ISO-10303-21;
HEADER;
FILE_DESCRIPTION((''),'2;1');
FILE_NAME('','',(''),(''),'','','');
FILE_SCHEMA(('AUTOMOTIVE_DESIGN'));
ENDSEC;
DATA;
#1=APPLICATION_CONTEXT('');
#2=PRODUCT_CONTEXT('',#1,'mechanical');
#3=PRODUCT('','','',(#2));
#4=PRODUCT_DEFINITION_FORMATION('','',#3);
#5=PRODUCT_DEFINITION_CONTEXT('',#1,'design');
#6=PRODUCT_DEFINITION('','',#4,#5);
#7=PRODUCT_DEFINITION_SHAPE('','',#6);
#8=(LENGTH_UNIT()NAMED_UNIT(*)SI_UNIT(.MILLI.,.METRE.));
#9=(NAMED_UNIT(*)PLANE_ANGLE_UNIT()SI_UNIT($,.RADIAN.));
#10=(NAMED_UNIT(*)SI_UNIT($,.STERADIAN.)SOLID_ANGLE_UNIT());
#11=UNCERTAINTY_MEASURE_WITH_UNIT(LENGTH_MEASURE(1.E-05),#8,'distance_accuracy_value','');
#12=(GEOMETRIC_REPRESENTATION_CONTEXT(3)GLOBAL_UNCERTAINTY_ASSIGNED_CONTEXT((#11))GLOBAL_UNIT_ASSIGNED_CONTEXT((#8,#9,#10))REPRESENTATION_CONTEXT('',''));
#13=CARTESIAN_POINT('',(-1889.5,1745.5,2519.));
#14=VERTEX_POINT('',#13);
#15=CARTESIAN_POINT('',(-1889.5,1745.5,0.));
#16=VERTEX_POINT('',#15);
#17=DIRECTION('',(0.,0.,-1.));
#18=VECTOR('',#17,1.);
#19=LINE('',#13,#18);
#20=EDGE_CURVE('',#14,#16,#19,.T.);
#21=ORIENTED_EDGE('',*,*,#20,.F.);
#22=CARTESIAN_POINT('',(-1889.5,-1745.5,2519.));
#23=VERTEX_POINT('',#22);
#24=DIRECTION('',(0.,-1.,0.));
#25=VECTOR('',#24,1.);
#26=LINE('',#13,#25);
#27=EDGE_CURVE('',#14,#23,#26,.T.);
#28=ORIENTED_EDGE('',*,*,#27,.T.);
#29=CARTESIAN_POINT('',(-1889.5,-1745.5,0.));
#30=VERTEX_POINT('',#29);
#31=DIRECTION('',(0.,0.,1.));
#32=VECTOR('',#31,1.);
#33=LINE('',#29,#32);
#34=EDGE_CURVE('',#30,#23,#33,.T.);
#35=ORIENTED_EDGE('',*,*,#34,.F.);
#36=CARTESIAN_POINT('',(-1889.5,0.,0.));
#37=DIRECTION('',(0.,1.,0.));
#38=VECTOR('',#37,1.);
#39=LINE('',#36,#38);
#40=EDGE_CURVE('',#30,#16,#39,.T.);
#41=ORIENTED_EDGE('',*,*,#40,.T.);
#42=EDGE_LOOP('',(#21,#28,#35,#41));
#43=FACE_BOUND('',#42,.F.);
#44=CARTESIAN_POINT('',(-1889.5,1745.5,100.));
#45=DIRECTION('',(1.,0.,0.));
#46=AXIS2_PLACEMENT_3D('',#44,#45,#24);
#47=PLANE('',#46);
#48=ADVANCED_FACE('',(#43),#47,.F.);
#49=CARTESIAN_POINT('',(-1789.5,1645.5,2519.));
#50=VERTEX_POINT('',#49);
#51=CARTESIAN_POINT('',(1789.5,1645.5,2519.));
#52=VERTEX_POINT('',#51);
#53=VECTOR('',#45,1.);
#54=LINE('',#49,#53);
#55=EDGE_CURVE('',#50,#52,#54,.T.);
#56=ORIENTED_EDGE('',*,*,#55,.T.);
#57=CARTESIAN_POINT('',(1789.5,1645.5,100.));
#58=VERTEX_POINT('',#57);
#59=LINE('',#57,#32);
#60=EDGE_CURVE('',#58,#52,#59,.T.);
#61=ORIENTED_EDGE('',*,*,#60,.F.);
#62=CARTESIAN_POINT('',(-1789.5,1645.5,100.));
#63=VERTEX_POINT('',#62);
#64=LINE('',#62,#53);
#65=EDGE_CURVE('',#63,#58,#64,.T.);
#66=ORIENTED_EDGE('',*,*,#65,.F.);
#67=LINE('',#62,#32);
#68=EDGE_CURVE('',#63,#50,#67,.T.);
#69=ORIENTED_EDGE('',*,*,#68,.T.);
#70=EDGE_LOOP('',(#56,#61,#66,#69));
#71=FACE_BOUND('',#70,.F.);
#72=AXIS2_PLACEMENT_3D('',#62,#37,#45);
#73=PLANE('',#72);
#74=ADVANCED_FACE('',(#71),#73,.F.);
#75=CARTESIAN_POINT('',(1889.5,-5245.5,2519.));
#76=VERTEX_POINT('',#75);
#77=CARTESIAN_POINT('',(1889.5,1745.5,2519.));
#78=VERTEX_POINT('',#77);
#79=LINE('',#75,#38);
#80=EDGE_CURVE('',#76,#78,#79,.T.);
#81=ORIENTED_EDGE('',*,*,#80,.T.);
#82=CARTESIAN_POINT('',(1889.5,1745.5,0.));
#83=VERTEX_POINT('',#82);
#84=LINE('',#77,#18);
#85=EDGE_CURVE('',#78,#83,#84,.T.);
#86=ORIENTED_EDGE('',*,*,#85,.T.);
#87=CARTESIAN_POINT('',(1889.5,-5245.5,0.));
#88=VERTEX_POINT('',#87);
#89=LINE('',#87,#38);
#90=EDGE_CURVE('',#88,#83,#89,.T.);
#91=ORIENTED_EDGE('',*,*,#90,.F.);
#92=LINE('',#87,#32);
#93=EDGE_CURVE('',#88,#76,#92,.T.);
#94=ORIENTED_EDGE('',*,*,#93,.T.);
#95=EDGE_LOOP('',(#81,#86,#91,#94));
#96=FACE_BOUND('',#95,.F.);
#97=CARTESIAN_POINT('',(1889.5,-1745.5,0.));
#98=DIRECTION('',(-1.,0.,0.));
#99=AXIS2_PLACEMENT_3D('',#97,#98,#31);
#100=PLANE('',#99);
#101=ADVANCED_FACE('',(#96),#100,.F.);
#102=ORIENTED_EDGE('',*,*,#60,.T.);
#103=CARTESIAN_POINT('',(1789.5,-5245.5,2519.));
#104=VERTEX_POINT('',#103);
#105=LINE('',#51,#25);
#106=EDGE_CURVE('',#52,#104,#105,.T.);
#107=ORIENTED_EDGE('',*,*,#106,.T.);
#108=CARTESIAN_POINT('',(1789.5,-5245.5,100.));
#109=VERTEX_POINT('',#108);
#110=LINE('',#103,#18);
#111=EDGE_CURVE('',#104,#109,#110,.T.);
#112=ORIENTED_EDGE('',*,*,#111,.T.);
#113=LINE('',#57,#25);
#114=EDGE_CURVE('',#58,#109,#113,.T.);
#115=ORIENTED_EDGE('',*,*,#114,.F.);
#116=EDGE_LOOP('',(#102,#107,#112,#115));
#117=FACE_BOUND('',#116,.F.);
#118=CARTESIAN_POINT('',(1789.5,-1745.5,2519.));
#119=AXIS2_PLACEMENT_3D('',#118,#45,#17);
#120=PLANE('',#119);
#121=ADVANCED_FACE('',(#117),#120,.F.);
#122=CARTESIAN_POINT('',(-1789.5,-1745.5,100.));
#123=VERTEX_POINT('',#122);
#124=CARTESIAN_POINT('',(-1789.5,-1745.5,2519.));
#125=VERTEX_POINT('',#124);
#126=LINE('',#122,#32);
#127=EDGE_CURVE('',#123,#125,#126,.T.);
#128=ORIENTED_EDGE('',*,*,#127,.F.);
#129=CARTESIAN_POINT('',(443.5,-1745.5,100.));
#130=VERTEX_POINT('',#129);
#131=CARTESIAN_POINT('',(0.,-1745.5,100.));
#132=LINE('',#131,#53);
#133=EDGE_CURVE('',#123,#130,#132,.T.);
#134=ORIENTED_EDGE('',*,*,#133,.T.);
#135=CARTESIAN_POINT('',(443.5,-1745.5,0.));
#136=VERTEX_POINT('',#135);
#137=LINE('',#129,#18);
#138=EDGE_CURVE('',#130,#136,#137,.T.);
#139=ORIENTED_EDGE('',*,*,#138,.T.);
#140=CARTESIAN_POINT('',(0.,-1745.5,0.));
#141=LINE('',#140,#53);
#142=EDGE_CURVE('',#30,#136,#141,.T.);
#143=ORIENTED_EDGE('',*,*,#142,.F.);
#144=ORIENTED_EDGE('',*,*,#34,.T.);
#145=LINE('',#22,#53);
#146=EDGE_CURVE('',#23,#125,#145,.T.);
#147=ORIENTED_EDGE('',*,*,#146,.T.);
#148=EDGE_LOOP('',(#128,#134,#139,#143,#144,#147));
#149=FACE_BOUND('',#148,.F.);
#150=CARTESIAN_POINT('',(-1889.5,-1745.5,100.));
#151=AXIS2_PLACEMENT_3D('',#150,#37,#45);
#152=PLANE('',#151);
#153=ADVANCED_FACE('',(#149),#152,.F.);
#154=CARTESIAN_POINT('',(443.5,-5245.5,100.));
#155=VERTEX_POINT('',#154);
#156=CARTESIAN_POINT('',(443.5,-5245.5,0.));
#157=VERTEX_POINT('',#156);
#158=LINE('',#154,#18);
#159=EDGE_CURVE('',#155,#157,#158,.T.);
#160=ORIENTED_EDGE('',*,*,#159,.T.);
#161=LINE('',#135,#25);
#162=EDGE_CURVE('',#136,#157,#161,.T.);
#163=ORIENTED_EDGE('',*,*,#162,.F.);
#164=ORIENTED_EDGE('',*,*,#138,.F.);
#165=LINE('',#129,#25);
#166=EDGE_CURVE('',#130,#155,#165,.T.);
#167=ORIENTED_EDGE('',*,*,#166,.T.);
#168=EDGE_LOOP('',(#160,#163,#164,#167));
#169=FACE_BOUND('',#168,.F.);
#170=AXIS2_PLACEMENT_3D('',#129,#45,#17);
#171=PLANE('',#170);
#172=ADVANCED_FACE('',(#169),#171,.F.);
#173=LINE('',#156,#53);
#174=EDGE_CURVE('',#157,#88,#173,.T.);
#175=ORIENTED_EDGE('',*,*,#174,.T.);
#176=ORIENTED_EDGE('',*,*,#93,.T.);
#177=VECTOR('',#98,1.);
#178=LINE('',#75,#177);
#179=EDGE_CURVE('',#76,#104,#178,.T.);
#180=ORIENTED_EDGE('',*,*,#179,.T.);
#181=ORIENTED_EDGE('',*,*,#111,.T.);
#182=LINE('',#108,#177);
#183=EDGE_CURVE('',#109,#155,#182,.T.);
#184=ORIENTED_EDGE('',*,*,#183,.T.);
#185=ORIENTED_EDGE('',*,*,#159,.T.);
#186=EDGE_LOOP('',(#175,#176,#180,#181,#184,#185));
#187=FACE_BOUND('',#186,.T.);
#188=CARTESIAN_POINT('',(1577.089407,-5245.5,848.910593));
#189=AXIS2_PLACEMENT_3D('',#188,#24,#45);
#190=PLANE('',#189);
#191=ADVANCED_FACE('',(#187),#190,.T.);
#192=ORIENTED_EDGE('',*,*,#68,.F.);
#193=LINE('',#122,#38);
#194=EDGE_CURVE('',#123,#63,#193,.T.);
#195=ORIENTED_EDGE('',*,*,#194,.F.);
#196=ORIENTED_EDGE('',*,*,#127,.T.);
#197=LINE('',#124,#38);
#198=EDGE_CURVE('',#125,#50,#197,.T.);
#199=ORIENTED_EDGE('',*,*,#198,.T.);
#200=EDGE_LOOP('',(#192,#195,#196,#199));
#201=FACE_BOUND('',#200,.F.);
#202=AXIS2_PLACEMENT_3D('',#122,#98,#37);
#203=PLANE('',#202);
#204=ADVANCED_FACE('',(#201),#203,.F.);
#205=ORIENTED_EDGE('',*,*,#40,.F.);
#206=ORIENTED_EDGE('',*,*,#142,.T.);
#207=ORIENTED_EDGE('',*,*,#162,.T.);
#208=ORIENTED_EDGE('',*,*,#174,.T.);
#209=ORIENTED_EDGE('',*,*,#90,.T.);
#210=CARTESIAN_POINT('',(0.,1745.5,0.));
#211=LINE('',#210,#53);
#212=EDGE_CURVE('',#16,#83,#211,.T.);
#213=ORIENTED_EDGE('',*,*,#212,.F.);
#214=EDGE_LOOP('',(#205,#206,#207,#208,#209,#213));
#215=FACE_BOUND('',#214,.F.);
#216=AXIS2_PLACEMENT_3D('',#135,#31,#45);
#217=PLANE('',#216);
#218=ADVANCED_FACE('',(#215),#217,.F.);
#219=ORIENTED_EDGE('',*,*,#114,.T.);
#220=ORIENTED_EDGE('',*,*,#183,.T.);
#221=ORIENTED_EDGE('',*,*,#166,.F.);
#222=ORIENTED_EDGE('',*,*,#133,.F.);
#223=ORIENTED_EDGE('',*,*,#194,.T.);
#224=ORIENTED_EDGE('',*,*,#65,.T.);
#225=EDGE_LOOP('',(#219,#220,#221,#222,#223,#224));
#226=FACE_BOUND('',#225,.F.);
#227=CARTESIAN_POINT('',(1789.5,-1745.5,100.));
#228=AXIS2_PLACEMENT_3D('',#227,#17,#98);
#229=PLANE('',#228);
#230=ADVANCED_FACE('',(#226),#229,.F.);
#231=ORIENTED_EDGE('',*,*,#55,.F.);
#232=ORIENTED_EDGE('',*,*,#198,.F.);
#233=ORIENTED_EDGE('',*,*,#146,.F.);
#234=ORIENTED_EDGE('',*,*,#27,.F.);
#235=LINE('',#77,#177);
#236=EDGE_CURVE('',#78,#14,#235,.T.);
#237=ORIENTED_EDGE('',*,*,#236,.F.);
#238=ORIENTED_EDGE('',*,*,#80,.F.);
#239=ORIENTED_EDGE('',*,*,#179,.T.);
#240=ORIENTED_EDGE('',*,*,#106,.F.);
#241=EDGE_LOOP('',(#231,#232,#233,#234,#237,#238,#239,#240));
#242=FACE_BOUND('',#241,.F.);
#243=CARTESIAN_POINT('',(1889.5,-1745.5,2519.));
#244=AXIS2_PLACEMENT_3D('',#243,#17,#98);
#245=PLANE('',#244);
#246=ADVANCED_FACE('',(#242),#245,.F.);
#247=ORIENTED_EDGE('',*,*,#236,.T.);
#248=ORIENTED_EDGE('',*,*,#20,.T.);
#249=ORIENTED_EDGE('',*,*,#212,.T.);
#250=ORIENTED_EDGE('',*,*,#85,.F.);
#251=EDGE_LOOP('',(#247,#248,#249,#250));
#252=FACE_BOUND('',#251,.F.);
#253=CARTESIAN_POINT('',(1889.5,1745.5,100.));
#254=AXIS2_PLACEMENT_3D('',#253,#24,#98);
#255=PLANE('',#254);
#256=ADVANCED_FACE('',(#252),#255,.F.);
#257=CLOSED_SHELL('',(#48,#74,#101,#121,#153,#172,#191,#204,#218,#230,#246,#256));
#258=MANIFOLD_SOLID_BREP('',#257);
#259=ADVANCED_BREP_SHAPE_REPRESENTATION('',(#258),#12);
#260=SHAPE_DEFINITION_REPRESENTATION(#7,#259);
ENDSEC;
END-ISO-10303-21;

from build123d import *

# Parameters (mm, degrees)
F0_W     = 3779
F0_H     = 3491
F1_DEPTH = 100
F3_DEPTH = 2419
F5_DEPTH = 3500


with BuildPart() as f1:
    # F0 (on Top) → F1 (new body)
    with BuildSketch(Plane.XY):
        Rectangle(F0_W, F0_H)
    extrude(amount=F1_DEPTH)

    # F2 (on face) → F3 (join)
    with BuildSketch(Plane.XY.offset(100)):
        Polygon((-1789.5, 1745.5), (-1889.5, 1745.5), (-1889.5, -1745.5), (-1789.5, -1745.5), (-1789.5, 1645.5), (1789.5, 1645.5), (1789.5, -1645.5), (1789.5, -1745.5), (1889.5, -1745.5), (1889.5, 1745.5), (1789.5, 1745.5), align=None)
    extrude(amount=F3_DEPTH)

    # F4 (on face) → F5 (join)
    with BuildSketch(Plane.XZ.offset(1745.5)):
        Polygon((1889.5, 2519), (1789.5, 2519), (1789.5, 100), (443.5, 100), (443.5, 0), (1889.5, 0), align=None)
    extrude(amount=F5_DEPTH)


solid = f1.part
